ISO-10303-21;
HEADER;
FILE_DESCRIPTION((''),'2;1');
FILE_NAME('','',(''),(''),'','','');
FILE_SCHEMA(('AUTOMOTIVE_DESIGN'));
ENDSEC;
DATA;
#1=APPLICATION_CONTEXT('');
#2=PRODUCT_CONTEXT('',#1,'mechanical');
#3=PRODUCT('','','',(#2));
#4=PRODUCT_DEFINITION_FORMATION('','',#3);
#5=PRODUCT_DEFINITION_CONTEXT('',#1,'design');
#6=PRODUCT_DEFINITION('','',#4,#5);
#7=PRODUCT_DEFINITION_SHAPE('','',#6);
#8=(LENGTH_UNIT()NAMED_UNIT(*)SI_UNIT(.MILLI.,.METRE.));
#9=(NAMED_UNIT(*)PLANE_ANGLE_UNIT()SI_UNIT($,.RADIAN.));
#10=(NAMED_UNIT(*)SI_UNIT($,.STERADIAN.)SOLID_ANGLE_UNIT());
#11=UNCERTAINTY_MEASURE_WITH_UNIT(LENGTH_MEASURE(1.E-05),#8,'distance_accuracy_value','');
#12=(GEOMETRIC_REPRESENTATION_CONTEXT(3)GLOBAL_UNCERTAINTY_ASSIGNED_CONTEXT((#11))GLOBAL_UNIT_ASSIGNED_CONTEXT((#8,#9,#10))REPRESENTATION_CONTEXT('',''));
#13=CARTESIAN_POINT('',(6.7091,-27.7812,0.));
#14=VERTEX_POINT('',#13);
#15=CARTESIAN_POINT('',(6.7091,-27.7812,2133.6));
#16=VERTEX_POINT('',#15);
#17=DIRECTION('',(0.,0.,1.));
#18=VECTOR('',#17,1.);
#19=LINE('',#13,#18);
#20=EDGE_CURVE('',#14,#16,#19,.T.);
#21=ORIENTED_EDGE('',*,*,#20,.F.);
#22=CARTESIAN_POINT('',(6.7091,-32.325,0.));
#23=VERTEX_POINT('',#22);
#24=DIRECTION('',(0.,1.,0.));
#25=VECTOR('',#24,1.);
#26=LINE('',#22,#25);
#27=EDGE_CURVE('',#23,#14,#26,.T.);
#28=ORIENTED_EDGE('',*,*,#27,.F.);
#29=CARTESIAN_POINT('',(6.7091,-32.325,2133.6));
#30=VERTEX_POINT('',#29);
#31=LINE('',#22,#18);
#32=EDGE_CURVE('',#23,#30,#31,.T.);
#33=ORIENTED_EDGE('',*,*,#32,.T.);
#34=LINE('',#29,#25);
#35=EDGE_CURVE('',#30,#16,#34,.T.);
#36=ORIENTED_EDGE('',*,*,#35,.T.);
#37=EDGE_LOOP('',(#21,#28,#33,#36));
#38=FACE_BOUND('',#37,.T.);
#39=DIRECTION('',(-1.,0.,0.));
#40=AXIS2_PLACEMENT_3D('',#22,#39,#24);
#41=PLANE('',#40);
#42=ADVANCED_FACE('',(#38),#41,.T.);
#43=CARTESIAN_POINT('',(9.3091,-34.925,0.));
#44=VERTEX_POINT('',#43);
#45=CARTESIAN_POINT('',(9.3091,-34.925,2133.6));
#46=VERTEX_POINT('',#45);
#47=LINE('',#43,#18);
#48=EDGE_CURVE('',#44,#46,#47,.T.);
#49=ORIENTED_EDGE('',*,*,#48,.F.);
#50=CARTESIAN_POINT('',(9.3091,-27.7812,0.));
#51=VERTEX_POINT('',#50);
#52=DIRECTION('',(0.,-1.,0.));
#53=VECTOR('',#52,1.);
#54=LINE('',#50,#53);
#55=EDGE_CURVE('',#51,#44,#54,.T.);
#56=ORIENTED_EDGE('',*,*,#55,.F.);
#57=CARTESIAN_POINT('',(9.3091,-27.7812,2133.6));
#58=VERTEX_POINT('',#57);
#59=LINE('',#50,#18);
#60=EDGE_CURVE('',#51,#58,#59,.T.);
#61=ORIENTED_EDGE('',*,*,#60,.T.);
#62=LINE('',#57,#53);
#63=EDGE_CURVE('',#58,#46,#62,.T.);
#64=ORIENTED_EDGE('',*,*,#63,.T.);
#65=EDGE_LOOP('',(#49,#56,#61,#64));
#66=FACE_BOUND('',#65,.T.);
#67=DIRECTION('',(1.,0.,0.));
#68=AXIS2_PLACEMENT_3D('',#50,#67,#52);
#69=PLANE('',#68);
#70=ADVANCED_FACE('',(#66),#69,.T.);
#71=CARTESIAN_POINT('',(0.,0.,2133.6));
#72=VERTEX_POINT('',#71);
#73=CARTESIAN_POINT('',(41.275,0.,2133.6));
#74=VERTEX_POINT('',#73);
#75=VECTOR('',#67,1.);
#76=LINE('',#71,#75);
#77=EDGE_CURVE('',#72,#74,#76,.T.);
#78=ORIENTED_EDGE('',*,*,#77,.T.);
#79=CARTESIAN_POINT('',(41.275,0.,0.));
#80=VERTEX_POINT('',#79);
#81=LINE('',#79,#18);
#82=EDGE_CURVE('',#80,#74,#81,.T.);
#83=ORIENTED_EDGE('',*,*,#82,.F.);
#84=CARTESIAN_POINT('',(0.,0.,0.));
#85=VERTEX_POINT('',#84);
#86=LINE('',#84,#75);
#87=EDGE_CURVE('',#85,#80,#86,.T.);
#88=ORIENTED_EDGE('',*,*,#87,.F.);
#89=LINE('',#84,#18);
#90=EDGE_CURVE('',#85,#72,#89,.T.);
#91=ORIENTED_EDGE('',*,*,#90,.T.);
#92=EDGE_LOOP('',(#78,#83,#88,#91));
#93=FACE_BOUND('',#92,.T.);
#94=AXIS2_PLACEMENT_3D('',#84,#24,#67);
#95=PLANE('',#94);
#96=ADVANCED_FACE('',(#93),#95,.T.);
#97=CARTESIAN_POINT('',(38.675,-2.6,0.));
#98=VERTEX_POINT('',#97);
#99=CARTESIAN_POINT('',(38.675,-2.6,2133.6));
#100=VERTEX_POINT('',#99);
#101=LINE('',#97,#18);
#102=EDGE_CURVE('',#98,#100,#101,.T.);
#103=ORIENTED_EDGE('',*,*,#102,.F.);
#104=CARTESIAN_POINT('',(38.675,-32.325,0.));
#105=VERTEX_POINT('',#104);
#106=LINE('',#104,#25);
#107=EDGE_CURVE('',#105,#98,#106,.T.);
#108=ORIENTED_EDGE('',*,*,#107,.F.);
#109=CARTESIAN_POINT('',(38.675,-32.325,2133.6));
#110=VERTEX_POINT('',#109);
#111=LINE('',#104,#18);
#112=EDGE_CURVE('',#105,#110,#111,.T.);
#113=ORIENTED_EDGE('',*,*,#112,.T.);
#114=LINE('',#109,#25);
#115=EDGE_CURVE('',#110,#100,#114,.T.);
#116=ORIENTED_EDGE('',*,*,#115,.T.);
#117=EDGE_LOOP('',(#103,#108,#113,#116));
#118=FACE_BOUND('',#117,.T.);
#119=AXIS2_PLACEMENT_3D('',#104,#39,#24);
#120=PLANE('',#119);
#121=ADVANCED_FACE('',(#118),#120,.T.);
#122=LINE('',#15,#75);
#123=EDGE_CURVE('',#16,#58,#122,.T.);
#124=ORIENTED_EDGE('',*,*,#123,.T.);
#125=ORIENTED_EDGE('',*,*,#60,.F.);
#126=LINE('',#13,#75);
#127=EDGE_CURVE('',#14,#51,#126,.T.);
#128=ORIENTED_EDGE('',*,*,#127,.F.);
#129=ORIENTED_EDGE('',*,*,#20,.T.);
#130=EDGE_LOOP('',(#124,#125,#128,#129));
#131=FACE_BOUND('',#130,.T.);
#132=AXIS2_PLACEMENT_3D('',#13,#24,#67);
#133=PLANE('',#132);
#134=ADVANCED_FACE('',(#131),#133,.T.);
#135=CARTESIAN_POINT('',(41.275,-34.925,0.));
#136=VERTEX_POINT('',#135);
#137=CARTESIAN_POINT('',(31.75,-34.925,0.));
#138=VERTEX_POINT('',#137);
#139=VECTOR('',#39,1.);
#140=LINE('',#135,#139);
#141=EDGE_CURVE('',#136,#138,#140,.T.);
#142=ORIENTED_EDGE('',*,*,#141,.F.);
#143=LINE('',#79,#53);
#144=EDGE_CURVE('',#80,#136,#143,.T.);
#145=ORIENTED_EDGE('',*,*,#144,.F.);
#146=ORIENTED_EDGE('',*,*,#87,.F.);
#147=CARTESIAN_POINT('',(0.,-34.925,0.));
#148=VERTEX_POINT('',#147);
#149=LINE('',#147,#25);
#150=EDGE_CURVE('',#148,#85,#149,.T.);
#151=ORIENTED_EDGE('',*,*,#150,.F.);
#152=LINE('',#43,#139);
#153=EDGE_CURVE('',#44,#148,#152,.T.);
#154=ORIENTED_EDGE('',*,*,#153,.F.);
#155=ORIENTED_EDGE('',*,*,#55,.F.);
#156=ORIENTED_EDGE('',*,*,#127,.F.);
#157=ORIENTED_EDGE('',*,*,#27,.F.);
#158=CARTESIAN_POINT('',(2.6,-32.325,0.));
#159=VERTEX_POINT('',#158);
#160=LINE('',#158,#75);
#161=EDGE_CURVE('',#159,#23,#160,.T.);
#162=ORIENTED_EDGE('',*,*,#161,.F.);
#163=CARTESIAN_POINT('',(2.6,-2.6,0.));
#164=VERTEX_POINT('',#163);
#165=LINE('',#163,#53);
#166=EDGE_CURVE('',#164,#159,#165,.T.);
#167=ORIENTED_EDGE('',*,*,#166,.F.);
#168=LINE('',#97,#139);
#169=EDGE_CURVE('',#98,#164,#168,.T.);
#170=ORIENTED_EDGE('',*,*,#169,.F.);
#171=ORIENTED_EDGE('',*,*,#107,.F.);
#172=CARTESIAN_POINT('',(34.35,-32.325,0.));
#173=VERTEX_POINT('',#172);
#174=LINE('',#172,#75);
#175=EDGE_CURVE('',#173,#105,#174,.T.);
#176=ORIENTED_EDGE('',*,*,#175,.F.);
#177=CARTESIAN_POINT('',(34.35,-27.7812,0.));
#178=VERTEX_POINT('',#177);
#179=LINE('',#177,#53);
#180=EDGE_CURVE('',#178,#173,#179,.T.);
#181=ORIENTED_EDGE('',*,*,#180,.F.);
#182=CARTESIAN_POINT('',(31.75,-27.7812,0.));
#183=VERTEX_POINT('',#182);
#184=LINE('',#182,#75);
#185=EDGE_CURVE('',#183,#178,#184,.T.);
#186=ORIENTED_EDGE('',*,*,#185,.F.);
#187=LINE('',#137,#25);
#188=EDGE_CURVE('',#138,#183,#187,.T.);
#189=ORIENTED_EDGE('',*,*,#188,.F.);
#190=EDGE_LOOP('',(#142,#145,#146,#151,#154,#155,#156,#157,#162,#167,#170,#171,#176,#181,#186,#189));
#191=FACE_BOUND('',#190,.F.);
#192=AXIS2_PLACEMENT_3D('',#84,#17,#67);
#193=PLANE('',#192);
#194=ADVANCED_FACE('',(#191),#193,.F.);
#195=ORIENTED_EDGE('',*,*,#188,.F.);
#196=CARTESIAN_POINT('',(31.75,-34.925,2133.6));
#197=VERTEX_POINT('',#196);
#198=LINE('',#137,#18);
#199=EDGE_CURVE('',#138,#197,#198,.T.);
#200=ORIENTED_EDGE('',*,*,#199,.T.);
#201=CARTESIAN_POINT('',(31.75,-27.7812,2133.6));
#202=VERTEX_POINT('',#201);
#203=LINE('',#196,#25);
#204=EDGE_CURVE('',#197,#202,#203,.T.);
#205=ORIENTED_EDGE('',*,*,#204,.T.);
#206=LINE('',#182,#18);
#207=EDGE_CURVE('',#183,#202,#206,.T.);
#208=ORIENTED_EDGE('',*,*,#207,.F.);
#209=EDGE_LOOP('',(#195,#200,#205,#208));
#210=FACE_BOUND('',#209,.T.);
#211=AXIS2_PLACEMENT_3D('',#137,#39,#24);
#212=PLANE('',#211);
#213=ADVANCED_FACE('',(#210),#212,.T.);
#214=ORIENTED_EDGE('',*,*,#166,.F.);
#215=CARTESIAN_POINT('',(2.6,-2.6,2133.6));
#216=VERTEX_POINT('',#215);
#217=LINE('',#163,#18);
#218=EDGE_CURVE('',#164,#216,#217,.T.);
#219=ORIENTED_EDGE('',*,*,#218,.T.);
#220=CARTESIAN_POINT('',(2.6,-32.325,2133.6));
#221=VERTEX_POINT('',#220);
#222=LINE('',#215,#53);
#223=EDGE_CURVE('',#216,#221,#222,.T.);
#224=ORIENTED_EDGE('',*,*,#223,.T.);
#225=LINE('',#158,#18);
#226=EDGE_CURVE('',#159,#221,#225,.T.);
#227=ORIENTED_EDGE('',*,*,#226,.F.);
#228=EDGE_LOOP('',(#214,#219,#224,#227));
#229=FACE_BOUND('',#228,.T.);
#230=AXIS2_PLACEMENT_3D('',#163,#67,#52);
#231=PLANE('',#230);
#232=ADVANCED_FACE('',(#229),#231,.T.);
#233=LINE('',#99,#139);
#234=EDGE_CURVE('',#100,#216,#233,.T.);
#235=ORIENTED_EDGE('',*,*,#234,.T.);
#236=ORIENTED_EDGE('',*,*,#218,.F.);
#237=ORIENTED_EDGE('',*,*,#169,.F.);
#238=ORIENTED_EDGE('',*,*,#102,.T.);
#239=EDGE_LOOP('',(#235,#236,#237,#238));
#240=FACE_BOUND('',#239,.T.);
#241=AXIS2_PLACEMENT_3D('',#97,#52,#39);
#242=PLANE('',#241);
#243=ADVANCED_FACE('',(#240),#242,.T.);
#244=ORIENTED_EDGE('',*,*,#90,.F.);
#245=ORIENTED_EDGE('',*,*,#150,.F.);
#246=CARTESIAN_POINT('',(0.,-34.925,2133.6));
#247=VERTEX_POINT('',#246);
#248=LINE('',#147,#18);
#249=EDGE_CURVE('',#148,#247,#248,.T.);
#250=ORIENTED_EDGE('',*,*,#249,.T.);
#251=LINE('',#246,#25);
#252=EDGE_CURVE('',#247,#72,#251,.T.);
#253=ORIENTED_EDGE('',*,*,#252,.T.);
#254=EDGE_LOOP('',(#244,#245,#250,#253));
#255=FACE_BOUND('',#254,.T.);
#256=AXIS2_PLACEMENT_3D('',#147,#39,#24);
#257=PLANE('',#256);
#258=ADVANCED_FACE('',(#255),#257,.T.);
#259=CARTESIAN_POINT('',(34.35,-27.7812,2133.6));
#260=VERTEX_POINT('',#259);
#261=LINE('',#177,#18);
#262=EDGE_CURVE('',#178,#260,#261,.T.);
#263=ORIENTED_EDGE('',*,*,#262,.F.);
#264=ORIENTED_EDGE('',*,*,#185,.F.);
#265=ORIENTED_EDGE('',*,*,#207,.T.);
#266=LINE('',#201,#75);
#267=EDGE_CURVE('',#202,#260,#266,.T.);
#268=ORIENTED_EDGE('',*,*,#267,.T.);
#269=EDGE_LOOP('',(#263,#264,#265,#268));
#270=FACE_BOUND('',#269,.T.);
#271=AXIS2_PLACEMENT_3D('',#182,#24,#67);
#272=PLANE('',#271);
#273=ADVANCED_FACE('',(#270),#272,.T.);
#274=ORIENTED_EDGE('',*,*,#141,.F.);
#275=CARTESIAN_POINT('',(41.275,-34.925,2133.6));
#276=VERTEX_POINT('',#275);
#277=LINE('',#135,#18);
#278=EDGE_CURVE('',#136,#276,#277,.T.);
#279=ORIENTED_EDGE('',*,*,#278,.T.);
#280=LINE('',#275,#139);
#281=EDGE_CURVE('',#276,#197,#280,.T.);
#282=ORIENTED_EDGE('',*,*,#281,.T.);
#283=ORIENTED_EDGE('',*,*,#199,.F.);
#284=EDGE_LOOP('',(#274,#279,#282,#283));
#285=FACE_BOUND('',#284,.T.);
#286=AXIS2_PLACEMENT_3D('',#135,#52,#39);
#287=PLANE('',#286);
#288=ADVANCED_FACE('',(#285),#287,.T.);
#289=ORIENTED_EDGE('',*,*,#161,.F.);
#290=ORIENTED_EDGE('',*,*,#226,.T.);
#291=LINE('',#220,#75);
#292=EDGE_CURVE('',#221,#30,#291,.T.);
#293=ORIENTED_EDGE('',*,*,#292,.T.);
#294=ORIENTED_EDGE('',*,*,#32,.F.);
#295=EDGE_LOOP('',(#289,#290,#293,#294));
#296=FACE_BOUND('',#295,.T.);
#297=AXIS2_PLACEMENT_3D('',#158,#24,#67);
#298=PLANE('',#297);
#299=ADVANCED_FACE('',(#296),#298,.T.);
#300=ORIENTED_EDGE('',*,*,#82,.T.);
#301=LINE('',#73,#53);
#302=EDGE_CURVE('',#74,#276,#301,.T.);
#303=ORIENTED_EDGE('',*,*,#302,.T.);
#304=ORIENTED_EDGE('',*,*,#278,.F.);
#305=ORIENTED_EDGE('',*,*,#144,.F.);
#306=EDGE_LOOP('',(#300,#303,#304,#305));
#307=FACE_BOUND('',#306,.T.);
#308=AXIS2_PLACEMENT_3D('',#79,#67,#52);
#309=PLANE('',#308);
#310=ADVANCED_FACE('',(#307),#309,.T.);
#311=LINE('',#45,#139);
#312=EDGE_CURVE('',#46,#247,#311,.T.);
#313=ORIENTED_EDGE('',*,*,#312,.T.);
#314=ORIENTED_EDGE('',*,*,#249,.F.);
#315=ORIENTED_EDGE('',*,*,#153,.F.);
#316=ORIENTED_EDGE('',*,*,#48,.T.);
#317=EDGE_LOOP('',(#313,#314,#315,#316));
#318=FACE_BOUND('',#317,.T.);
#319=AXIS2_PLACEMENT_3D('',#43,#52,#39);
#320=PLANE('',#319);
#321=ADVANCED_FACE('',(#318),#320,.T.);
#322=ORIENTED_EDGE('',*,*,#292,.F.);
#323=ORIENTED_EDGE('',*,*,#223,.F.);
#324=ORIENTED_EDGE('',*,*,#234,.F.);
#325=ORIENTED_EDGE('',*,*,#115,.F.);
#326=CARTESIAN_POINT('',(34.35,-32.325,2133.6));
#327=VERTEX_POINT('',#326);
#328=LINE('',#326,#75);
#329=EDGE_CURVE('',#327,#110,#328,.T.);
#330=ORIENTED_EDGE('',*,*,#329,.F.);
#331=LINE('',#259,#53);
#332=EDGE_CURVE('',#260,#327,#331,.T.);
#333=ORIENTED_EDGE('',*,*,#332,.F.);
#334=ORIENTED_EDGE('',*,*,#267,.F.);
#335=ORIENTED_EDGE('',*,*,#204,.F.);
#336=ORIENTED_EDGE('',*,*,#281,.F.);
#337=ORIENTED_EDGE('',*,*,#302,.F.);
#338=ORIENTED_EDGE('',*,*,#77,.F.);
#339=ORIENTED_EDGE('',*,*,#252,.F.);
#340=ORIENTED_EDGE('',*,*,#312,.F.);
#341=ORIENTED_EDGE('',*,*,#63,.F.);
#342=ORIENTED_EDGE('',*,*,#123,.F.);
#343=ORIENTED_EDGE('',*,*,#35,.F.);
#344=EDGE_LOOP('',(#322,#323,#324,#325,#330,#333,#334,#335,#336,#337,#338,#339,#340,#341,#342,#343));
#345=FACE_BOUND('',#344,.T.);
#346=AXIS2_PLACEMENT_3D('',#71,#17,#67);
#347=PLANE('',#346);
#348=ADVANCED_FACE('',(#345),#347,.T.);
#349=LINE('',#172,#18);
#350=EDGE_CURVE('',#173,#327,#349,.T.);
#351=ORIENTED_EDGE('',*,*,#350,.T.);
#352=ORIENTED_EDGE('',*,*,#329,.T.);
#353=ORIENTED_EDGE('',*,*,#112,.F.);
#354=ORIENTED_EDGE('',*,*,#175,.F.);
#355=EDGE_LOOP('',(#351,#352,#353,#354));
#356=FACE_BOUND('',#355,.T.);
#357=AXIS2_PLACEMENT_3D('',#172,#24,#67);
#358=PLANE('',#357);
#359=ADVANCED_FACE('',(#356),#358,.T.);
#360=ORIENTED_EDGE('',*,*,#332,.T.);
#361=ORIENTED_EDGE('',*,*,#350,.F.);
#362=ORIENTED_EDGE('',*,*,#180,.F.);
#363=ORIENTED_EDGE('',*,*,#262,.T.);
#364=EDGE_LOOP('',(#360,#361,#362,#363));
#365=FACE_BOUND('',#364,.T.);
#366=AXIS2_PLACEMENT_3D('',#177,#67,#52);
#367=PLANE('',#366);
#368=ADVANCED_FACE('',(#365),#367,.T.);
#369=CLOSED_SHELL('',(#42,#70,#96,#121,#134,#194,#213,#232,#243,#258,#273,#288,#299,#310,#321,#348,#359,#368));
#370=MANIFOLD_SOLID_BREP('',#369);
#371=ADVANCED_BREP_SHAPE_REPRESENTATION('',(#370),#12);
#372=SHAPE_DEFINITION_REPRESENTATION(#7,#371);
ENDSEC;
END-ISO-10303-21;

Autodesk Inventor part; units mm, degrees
ref_plane "YZ Plane" through (0, 0, 0) normal (1, 0, 0) x (0, 1, 0)
ref_plane "XZ Plane" through (0, 0, 0) normal (0, 1, 0) x (-1, 0, 0)
ref_plane "XY Plane" through (0, 0, 0) normal (0, 0, 1) x (1, 0, 0)
sketch "Sketch1" plane through (0, 0, 0) normal (0, 0, 1) x (1, 0, 0)
  line L0 (0, 0) -> (41.275, 0)
  line L1 (41.275, 0) -> (41.275, -34.925)
  line L2 (41.275, -34.925) -> (31.75, -34.925)
  line L3 (31.75, -34.925) -> (31.75, -27.7812)
  line L4 (31.75, -27.7812) -> (34.35, -27.7812)
  line L5 (34.35, -27.7812) -> (34.35, -32.325)
  line L6 (34.35, -32.325) -> (38.675, -32.325)
  line L7 (38.675, -32.325) -> (38.675, -2.6)
  line L8 (38.675, -2.6) -> (2.6, -2.6)
  line L9 (0, -34.925) -> (0, 0)
  line L10 (2.6, -2.6) -> (2.6, -32.325)
  line L11 (2.6, -32.325) -> (6.7091, -32.325)
  line L12 (6.7091, -32.325) -> (6.7091, -27.7812)
  line L13 (6.7091, -27.7812) -> (9.3091, -27.7812)
  line L14 (9.3091, -27.7812) -> (9.3091, -34.925)
  line L15 (9.3091, -34.925) -> (0, -34.925)
  dimension "d0" = 41.275
  dimension "d1" = 34.925
  dimension "d4" = 9.525
  dimension "d5" = 7.1437
  dimension "d6" = 2.6
  dimension "d7" = 2.6
  dimension "d8" = 2.6
  dimension "d9" = 2.6
  dimension "d11" = 2.6
  dimension "d12" = 2.6
  dimension "d13" = 7.1437
  dimension "d14" = 2.6
extrude "Extrusion1" add sketch "Sketch1" along normal blind 2133.6
properties part number "LongStrut84Sec1"
